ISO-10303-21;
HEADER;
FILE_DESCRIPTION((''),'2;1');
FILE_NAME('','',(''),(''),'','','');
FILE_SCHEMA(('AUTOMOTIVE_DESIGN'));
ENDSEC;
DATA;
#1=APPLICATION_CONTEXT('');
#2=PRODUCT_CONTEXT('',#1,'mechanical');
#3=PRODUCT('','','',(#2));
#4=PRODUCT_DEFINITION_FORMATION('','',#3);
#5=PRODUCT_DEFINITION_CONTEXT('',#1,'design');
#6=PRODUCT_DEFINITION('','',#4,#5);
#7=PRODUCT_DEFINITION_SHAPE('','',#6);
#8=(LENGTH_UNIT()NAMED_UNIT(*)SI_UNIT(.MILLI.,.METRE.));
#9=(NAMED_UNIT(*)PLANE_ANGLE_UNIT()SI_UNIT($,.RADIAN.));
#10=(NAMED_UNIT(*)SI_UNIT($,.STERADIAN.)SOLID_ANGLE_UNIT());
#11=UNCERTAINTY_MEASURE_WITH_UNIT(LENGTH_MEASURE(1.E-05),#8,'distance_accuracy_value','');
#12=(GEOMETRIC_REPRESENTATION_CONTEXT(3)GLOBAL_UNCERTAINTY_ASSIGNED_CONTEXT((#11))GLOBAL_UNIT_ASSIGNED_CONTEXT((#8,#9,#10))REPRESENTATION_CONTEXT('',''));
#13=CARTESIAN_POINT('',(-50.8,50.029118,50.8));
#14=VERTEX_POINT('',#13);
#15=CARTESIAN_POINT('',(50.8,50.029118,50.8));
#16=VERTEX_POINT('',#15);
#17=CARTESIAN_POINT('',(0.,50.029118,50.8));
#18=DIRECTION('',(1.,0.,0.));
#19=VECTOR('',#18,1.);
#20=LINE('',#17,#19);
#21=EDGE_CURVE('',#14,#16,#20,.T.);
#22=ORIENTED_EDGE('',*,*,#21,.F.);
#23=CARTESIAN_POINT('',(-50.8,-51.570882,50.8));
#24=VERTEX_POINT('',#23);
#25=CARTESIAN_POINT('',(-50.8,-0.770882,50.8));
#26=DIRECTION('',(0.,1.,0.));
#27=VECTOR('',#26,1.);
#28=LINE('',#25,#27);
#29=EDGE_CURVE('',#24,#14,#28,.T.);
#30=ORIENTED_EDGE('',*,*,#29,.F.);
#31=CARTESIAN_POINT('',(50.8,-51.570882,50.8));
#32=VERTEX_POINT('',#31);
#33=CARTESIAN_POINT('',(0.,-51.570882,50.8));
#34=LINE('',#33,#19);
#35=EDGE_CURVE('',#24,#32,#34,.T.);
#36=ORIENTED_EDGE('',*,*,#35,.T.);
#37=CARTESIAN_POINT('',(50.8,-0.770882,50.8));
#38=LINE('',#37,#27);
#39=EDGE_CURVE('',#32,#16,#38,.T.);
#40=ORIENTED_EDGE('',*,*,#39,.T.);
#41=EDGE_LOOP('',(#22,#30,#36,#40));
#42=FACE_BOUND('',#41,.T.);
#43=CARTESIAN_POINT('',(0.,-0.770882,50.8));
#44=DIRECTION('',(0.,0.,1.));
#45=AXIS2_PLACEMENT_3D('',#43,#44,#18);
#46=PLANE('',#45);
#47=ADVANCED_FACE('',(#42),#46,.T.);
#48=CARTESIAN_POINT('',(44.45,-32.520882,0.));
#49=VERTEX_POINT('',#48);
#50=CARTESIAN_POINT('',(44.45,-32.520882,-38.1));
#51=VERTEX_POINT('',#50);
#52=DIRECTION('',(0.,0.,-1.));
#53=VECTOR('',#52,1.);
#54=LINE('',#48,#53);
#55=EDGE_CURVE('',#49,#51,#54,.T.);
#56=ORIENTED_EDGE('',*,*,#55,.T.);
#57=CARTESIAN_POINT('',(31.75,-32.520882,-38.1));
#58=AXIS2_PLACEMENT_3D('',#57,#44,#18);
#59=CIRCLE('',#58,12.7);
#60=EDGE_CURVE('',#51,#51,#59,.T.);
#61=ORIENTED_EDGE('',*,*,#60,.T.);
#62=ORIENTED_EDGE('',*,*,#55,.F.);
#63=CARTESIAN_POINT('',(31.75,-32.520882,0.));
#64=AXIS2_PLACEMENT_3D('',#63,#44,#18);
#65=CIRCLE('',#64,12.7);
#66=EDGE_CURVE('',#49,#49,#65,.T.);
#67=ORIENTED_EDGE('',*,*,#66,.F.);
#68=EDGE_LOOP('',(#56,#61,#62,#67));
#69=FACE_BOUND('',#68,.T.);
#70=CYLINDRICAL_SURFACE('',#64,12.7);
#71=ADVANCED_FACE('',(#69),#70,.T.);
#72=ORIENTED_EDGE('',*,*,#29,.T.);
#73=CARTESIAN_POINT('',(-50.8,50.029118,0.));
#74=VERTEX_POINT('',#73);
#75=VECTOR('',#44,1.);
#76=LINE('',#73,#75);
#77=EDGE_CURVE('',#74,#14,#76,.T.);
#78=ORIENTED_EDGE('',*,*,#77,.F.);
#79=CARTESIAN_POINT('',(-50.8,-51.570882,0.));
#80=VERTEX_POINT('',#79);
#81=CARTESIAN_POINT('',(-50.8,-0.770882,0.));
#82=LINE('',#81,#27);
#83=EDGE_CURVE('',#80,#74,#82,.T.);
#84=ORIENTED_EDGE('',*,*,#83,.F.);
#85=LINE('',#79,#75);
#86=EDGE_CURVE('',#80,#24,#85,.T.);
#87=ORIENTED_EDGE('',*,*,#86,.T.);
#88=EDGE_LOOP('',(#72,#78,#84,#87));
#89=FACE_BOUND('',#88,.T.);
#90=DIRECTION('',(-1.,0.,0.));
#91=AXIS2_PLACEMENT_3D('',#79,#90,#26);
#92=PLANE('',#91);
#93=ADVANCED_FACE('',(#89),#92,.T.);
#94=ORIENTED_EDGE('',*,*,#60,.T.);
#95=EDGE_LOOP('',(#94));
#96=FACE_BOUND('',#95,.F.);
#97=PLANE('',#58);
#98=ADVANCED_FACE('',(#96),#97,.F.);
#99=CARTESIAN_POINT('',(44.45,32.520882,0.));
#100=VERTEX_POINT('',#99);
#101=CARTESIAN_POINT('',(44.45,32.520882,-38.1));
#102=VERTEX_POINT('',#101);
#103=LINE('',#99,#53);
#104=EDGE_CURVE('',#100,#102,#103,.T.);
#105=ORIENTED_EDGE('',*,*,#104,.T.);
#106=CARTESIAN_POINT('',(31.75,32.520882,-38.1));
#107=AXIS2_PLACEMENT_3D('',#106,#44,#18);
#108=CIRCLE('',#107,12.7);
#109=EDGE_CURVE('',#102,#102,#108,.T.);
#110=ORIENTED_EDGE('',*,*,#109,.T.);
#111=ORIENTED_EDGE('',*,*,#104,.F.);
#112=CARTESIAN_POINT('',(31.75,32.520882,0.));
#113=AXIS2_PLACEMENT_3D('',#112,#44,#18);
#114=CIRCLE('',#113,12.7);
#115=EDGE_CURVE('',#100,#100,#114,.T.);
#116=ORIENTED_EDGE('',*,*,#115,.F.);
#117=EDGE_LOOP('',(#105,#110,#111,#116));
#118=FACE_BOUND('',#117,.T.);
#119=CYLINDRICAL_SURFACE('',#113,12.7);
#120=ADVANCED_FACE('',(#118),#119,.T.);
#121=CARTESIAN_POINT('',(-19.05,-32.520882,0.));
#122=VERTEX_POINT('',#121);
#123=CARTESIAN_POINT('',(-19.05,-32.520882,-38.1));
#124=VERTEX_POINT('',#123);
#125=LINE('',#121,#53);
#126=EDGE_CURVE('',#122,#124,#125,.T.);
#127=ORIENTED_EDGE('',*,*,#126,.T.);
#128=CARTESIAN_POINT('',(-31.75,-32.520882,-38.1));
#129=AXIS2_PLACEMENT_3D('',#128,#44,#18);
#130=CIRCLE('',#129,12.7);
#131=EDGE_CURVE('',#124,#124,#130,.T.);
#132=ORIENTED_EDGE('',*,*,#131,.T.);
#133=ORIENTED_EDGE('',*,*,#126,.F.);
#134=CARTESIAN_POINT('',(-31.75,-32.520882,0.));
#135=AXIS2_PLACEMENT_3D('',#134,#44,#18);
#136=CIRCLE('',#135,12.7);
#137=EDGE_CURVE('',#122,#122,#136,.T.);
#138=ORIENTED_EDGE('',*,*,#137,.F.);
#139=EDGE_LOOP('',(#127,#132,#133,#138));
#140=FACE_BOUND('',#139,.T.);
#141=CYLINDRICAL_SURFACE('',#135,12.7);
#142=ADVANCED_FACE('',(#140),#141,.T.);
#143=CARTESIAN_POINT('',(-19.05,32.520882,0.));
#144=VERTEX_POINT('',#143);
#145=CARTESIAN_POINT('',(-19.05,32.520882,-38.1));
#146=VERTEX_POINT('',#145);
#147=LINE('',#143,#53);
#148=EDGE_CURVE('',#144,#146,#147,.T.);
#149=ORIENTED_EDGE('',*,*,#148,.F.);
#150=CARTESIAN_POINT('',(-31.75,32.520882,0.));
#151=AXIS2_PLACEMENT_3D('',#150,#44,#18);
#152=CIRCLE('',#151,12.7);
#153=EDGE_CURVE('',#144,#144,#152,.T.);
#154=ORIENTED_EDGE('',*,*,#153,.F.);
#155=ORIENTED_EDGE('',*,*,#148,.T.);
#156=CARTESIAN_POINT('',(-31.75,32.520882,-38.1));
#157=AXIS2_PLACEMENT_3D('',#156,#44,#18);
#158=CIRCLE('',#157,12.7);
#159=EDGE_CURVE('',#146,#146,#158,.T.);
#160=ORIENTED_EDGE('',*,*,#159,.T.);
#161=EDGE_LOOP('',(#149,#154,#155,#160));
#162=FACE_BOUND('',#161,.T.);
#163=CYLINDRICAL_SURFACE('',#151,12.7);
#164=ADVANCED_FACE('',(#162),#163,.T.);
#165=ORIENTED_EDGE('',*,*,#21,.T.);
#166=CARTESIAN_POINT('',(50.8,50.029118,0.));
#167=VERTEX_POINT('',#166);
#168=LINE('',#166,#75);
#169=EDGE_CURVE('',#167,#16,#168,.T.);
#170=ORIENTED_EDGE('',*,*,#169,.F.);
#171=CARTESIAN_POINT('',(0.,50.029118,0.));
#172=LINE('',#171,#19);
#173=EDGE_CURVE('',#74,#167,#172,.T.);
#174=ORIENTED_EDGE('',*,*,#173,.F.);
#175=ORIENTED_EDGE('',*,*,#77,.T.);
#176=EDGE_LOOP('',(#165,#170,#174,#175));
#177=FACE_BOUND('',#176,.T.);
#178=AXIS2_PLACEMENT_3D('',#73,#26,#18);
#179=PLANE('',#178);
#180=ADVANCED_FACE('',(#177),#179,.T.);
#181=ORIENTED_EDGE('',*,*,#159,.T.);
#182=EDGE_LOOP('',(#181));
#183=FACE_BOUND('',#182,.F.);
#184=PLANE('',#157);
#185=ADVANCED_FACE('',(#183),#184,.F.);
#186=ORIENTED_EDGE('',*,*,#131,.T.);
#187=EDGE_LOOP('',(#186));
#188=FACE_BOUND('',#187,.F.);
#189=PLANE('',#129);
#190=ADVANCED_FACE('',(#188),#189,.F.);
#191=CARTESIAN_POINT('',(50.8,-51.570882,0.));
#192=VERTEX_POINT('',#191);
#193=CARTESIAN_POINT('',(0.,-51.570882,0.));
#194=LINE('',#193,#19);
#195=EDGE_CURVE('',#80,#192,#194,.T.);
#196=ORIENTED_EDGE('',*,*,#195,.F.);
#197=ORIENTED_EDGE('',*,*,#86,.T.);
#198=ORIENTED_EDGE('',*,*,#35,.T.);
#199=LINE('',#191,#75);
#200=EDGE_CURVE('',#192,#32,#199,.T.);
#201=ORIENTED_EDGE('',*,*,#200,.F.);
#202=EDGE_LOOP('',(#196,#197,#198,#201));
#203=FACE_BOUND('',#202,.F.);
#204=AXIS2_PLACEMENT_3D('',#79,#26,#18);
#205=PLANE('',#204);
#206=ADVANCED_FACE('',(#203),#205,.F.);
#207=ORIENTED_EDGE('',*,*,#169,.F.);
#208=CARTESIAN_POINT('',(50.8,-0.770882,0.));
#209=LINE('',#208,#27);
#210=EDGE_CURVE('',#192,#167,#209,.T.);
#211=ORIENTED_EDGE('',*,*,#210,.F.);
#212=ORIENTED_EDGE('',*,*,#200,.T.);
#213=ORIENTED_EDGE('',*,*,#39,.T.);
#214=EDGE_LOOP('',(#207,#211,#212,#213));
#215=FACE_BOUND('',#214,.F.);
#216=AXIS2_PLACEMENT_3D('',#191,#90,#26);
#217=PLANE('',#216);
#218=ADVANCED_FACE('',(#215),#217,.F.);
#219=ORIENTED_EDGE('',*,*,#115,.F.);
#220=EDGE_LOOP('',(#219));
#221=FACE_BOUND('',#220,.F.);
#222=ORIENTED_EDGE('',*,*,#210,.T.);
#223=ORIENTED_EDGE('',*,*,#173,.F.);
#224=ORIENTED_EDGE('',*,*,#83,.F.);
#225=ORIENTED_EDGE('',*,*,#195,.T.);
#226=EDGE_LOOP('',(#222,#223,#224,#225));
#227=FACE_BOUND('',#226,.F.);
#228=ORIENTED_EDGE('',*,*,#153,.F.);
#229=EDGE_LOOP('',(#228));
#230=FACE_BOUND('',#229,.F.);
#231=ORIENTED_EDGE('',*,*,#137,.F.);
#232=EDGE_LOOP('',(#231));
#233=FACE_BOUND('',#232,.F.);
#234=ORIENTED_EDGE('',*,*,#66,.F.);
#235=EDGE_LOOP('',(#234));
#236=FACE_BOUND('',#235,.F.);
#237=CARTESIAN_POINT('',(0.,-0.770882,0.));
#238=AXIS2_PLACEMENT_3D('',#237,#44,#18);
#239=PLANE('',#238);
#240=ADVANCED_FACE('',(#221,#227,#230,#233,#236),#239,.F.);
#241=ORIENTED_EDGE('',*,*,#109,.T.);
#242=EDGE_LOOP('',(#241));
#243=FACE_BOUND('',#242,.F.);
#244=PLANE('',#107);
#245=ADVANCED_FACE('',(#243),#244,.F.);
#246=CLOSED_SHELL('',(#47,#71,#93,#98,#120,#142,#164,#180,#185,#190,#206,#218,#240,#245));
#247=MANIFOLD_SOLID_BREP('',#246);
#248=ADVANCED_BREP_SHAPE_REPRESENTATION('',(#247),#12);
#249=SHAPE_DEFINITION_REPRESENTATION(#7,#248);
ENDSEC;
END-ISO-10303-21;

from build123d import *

# Parameters (mm, degrees)
F0_W     = 101.6
F0_H     = 101.6
F1_DEPTH = 50.8
F2_R     = 12.7
F3_DEPTH = 38.1


with BuildPart() as f1:
    # F0 (on Top) → F1 (new body)
    with BuildSketch(Plane.XY):
        with Locations((0, -0.770882)):
            Rectangle(F0_W, F0_H)
    extrude(amount=F1_DEPTH)

    # F2 (on face) → F3 (join)
    with BuildSketch(Plane.XY):
        with Locations((31.75, -32.520882)):
            Circle(F2_R)
        with Locations((-31.75, -32.520882)):
            Circle(F2_R)
        with Locations((31.75, 32.520882)):
            Circle(F2_R)
        with Locations((-31.75, 32.520882)):
            Circle(F2_R)
    extrude(amount=-F3_DEPTH)


solid = f1.part
